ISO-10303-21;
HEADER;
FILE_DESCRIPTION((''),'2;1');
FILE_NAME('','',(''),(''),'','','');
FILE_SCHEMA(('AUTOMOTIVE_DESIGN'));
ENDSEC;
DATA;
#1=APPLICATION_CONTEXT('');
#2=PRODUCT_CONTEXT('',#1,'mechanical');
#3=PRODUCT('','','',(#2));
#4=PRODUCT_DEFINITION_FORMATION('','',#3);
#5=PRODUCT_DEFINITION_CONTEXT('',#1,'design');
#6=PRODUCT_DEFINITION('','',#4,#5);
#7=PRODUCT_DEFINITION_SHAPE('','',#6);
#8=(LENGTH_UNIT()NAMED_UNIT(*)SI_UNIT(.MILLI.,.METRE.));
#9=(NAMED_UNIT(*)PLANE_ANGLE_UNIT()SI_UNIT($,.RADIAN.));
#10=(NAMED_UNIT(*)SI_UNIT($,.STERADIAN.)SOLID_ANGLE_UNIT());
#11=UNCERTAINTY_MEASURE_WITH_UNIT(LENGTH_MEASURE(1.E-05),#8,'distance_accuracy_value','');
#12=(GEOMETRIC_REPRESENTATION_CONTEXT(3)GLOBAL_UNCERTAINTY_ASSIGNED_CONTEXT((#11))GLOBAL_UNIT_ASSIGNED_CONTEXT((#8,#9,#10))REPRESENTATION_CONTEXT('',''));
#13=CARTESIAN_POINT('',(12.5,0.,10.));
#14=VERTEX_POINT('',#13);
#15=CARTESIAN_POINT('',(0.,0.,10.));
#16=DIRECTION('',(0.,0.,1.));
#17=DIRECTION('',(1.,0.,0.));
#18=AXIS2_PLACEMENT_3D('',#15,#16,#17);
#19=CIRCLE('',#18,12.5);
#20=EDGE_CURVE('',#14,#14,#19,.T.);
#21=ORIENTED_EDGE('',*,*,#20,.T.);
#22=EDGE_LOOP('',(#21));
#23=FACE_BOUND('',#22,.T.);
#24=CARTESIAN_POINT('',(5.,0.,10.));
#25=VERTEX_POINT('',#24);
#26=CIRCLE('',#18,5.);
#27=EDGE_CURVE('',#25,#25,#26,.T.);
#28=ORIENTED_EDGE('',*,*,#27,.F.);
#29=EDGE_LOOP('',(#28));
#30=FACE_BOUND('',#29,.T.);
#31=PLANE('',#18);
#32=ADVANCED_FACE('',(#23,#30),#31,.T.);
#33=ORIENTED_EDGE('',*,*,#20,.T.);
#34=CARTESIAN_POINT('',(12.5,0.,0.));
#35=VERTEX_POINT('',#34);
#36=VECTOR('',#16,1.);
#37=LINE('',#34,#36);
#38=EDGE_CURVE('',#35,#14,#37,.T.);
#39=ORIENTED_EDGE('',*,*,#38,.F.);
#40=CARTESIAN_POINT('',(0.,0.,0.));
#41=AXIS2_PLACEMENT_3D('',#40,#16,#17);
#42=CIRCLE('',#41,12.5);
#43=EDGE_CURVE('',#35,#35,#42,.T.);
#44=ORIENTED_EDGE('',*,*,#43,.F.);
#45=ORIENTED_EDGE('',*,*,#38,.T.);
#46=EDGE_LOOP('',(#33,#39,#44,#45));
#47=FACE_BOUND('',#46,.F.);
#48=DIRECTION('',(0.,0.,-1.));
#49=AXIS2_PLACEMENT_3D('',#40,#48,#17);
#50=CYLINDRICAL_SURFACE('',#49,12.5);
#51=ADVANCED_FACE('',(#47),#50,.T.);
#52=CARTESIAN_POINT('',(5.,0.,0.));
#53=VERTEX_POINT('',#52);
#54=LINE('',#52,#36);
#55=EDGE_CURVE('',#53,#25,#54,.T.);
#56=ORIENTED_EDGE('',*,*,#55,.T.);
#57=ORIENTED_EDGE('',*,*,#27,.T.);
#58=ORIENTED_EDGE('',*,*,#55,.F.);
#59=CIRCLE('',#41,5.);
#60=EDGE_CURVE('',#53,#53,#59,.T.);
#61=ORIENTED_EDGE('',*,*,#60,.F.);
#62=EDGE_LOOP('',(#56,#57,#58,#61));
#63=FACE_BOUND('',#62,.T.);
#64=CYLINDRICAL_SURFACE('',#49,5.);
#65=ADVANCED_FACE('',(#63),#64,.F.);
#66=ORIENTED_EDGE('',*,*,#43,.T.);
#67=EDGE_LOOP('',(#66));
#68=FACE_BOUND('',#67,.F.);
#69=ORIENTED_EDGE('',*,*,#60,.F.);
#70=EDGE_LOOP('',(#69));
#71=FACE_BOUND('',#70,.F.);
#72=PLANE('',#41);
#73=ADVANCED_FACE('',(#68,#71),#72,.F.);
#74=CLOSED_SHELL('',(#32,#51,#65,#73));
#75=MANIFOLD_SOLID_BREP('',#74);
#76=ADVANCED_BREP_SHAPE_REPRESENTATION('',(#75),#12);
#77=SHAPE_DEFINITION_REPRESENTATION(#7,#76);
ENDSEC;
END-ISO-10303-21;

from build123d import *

# Parameters (mm, degrees)
F0_R     = 12.5
F0_R_2   = 5
F1_DEPTH = 10


with BuildPart() as f1:
    # F0 (on Top) → F1 (new body)
    with BuildSketch(Plane.XY):
        Circle(F0_R)
        Circle(F0_R_2, mode=Mode.SUBTRACT)
    extrude(amount=F1_DEPTH)


solid = f1.part
